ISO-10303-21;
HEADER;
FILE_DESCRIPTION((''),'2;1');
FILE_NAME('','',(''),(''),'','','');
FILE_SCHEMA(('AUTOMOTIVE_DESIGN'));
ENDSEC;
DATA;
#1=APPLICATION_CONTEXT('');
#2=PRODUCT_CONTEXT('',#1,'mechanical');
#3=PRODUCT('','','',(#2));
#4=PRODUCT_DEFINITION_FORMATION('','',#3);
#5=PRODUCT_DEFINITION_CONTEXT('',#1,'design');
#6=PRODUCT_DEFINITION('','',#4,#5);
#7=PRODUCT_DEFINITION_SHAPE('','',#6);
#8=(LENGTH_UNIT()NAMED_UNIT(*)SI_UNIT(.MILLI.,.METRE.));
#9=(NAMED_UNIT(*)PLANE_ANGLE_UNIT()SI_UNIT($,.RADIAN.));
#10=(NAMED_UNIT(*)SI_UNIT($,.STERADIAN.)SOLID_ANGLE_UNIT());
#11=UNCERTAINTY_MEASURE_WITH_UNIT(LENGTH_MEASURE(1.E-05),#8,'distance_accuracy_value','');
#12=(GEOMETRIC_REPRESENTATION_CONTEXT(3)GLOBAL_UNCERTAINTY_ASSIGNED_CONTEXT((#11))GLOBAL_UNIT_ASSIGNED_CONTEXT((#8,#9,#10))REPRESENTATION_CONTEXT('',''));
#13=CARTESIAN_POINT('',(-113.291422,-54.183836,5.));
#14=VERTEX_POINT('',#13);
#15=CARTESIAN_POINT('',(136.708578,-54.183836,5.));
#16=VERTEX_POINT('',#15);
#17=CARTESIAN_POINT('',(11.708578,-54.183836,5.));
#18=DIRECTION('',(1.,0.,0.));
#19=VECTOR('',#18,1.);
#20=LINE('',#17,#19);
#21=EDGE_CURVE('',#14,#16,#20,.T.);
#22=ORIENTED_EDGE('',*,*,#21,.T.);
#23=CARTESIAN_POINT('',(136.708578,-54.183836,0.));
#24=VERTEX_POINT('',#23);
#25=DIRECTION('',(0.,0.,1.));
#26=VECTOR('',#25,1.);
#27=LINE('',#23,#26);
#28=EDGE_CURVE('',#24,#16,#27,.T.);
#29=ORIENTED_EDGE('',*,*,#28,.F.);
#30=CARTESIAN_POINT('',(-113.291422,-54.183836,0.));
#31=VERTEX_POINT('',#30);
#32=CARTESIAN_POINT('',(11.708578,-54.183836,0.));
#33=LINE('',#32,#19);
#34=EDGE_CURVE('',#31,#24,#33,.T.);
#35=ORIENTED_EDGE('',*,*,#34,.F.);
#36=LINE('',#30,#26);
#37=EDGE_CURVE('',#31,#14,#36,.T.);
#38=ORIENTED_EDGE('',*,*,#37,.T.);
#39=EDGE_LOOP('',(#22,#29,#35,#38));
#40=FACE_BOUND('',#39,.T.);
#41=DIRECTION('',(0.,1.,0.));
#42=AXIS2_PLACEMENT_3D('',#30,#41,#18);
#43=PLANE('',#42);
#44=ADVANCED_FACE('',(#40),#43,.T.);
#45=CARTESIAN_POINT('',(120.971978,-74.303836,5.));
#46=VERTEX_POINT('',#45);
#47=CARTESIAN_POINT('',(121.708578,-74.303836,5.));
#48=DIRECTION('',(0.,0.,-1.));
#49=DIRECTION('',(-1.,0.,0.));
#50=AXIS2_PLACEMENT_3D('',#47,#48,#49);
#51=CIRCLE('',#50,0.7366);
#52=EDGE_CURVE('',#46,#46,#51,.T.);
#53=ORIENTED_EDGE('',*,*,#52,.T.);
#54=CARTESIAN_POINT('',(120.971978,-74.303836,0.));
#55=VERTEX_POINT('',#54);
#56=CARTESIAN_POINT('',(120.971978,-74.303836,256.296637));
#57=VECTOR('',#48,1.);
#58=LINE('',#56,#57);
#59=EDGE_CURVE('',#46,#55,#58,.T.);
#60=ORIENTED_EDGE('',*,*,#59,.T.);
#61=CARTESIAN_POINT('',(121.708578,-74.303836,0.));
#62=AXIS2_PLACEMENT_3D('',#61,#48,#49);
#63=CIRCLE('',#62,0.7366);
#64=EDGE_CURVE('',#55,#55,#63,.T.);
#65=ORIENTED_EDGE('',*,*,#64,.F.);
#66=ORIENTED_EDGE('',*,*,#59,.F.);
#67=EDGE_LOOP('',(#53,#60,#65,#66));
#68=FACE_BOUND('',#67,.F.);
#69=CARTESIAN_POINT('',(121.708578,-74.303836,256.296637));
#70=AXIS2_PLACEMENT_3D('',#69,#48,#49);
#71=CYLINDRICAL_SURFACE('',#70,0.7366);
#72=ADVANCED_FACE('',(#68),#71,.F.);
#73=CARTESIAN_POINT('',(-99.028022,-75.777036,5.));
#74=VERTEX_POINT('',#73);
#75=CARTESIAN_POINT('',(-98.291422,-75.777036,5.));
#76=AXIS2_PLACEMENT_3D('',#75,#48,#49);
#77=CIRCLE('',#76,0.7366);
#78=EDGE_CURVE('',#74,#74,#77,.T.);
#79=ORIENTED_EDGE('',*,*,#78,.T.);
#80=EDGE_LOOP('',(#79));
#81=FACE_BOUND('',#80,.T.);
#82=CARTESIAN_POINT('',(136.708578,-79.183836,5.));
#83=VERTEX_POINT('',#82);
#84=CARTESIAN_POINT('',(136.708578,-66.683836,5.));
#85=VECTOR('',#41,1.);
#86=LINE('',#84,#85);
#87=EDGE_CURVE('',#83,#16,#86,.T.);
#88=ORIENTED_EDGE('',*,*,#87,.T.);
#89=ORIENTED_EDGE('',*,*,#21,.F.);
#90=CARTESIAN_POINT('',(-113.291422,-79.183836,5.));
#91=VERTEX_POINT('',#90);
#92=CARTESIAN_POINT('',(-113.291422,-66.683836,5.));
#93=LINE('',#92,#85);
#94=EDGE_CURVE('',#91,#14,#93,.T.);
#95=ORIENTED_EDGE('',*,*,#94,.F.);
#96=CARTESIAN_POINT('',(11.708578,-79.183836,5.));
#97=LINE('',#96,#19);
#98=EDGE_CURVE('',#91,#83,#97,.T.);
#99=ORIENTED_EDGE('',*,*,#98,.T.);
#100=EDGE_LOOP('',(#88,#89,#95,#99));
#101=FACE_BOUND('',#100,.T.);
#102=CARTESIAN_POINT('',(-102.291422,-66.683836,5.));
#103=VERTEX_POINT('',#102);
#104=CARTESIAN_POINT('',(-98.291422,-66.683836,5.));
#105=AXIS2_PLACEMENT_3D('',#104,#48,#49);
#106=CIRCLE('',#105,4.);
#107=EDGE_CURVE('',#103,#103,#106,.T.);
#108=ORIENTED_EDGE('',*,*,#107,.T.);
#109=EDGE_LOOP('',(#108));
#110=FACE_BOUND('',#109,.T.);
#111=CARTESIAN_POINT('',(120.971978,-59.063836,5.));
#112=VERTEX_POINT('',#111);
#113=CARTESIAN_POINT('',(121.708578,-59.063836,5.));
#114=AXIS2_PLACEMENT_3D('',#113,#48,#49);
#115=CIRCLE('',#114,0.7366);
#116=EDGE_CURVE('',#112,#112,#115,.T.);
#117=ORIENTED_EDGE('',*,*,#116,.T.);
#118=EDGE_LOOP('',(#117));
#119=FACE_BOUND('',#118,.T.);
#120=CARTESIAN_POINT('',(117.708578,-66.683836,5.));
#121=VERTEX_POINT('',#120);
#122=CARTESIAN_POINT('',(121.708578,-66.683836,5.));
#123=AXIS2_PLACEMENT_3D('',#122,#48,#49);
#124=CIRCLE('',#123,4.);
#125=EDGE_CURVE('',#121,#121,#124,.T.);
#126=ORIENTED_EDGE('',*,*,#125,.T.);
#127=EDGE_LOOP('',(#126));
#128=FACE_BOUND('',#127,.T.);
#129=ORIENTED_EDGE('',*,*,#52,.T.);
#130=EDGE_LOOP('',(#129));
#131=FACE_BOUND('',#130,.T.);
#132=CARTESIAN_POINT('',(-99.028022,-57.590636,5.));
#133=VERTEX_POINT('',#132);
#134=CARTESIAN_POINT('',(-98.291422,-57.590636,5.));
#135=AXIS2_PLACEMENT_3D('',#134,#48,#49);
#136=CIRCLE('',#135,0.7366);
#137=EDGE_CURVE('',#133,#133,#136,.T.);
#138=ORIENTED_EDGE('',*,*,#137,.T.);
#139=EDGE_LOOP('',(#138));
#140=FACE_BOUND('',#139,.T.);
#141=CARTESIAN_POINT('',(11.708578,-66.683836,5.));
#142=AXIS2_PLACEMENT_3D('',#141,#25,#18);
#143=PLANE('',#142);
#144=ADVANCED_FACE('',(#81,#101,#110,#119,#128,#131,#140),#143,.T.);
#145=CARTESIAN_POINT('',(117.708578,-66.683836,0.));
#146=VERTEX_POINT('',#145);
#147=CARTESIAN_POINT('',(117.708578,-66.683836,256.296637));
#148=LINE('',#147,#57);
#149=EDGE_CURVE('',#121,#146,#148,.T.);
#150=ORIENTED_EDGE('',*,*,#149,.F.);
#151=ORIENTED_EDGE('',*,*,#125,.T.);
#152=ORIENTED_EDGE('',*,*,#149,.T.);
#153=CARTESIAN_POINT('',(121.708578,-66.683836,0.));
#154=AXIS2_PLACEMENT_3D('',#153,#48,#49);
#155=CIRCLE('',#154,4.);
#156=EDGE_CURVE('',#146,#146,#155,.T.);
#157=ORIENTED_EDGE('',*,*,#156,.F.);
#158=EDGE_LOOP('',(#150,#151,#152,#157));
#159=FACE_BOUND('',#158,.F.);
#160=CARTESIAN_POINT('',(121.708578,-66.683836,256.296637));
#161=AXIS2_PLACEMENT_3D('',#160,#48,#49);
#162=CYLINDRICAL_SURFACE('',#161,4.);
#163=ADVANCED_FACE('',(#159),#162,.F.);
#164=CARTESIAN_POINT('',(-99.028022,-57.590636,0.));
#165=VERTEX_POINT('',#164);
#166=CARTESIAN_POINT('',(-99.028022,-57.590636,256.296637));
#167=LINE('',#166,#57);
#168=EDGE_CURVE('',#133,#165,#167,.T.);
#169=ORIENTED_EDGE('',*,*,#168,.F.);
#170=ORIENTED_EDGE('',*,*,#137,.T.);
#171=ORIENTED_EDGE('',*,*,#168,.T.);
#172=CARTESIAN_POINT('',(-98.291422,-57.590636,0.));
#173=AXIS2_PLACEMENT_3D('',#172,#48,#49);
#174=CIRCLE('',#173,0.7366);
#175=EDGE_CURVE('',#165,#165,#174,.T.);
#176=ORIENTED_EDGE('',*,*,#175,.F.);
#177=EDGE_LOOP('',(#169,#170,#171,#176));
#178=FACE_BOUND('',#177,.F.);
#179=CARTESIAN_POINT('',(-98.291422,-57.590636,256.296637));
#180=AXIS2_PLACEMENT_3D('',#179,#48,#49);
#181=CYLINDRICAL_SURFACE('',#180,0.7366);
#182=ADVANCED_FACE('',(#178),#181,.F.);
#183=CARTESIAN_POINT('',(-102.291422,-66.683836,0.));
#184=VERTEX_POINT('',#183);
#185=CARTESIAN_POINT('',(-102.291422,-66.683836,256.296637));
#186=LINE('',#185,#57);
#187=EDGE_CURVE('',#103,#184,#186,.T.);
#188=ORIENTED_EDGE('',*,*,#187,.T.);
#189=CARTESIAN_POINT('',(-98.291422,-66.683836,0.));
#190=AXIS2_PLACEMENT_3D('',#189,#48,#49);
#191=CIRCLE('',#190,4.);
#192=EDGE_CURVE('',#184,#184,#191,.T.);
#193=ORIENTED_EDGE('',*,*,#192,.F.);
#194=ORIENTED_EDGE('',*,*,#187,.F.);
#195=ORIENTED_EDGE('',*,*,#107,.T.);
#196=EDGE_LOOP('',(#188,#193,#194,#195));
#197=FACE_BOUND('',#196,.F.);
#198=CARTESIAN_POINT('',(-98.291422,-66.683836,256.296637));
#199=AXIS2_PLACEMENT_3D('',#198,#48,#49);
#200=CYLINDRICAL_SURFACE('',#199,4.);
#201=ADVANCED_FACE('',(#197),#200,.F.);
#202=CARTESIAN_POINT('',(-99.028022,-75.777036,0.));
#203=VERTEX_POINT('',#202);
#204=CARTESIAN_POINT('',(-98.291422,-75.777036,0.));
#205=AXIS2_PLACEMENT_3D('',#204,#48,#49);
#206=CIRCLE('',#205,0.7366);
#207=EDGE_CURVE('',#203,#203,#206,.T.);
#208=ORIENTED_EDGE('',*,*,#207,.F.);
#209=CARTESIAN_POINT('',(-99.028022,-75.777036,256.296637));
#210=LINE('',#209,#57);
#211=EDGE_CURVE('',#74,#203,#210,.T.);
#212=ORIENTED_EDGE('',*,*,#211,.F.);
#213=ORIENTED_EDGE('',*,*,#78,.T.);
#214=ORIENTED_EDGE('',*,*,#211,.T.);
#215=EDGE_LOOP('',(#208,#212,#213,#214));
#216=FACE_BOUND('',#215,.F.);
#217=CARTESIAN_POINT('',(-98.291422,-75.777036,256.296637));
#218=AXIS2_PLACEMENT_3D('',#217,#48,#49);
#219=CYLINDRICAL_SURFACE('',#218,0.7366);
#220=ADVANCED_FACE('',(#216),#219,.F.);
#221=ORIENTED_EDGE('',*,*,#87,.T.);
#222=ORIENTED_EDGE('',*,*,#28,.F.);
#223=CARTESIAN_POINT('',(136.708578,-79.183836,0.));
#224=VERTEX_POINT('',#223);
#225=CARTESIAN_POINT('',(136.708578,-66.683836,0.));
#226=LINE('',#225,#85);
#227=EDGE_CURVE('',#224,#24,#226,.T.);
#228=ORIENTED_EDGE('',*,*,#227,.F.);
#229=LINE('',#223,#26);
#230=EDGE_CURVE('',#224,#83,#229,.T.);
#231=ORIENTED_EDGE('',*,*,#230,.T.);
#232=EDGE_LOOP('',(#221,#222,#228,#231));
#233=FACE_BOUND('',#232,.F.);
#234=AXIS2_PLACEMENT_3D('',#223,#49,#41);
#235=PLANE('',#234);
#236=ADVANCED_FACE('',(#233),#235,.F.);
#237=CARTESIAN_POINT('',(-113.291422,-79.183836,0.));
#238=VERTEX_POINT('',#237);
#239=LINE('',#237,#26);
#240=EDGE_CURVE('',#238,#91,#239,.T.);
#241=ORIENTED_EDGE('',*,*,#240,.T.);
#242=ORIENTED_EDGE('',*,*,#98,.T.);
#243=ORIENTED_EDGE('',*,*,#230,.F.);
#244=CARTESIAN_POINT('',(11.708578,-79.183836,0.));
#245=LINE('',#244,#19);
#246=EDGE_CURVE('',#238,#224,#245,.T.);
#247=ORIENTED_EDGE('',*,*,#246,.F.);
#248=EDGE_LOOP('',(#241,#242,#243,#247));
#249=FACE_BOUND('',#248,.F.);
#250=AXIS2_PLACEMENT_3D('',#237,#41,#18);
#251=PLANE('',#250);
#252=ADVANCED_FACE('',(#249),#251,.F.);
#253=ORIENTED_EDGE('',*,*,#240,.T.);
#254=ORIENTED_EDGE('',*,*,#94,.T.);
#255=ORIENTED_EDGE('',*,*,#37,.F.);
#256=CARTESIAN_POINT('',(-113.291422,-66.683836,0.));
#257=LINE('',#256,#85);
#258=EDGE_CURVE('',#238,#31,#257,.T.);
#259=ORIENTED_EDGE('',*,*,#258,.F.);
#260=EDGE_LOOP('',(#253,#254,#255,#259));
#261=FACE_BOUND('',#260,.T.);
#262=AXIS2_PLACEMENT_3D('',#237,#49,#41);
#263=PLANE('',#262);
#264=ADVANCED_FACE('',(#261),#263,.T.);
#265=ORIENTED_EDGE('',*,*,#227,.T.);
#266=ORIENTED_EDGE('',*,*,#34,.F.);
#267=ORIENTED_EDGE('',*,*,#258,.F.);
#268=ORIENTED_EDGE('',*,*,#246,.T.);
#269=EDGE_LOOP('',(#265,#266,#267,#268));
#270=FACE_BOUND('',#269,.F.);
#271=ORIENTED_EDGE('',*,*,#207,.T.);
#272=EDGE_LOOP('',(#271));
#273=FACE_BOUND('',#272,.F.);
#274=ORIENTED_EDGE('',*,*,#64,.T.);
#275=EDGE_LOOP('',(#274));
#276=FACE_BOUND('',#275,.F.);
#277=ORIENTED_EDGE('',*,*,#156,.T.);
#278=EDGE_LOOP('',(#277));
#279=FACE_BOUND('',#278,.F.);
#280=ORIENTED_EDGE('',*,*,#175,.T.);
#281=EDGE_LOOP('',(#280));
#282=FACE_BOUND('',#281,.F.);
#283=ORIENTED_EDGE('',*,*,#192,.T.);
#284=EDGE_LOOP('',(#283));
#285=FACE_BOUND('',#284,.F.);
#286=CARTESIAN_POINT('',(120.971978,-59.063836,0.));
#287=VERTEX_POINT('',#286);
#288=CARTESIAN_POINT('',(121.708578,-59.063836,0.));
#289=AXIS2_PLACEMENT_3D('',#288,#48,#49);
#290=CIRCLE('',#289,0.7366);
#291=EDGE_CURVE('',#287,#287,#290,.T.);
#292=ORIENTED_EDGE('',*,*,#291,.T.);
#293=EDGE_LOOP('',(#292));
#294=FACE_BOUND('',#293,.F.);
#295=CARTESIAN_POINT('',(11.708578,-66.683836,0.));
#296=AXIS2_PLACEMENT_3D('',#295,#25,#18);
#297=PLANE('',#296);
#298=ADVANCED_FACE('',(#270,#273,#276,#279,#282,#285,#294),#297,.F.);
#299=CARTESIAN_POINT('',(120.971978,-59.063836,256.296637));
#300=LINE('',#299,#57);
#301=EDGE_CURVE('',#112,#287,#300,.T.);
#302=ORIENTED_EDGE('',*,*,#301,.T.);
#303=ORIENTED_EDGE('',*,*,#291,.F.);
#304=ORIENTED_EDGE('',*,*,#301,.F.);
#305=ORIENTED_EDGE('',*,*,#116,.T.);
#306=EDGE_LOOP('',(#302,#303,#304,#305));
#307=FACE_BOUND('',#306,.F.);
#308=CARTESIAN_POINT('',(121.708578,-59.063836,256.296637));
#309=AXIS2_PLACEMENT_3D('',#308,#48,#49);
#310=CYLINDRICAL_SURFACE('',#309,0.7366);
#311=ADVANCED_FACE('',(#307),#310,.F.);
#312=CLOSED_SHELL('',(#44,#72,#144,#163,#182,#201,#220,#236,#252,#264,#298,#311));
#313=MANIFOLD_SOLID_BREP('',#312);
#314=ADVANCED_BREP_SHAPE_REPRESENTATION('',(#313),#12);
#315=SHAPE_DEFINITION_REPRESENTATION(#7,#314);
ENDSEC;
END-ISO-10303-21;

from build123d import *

# Parameters (mm, degrees)
F0_W     = 250
F0_H     = 25
F1_DEPTH = 5
F3_D     = 1.4732
F4_D     = 1.4732
F5_D     = 1.4732
F6_D     = 8


with BuildPart() as f1:
    # F0 (on Top) → F1 (new body)
    with BuildSketch(Plane.XY):
        with Locations((11.708578, -66.683836)):
            Rectangle(F0_W, F0_H)
    extrude(amount=F1_DEPTH)

    # F3 (through all)
    with Locations(Plane.XY.offset(5)):
        with Locations((-98.291422, -57.590636)):
            Hole(F3_D / 2)

    # F4 (through all)
    with Locations(Plane.XY.offset(5)):
        with Locations((-98.291422, -75.777036)):
            Hole(F4_D / 2)

    # F5 (through all)
    with Locations(Plane.XY.offset(5)):
        with Locations((121.708578, -59.063836), (121.708578, -74.303836)):
            Hole(F5_D / 2)

    # F6 (through all)
    with Locations(Plane.XY.offset(5)):
        with Locations((-98.291422, -66.683836), (121.708578, -66.683836)):
            Hole(F6_D / 2)


solid = f1.part
